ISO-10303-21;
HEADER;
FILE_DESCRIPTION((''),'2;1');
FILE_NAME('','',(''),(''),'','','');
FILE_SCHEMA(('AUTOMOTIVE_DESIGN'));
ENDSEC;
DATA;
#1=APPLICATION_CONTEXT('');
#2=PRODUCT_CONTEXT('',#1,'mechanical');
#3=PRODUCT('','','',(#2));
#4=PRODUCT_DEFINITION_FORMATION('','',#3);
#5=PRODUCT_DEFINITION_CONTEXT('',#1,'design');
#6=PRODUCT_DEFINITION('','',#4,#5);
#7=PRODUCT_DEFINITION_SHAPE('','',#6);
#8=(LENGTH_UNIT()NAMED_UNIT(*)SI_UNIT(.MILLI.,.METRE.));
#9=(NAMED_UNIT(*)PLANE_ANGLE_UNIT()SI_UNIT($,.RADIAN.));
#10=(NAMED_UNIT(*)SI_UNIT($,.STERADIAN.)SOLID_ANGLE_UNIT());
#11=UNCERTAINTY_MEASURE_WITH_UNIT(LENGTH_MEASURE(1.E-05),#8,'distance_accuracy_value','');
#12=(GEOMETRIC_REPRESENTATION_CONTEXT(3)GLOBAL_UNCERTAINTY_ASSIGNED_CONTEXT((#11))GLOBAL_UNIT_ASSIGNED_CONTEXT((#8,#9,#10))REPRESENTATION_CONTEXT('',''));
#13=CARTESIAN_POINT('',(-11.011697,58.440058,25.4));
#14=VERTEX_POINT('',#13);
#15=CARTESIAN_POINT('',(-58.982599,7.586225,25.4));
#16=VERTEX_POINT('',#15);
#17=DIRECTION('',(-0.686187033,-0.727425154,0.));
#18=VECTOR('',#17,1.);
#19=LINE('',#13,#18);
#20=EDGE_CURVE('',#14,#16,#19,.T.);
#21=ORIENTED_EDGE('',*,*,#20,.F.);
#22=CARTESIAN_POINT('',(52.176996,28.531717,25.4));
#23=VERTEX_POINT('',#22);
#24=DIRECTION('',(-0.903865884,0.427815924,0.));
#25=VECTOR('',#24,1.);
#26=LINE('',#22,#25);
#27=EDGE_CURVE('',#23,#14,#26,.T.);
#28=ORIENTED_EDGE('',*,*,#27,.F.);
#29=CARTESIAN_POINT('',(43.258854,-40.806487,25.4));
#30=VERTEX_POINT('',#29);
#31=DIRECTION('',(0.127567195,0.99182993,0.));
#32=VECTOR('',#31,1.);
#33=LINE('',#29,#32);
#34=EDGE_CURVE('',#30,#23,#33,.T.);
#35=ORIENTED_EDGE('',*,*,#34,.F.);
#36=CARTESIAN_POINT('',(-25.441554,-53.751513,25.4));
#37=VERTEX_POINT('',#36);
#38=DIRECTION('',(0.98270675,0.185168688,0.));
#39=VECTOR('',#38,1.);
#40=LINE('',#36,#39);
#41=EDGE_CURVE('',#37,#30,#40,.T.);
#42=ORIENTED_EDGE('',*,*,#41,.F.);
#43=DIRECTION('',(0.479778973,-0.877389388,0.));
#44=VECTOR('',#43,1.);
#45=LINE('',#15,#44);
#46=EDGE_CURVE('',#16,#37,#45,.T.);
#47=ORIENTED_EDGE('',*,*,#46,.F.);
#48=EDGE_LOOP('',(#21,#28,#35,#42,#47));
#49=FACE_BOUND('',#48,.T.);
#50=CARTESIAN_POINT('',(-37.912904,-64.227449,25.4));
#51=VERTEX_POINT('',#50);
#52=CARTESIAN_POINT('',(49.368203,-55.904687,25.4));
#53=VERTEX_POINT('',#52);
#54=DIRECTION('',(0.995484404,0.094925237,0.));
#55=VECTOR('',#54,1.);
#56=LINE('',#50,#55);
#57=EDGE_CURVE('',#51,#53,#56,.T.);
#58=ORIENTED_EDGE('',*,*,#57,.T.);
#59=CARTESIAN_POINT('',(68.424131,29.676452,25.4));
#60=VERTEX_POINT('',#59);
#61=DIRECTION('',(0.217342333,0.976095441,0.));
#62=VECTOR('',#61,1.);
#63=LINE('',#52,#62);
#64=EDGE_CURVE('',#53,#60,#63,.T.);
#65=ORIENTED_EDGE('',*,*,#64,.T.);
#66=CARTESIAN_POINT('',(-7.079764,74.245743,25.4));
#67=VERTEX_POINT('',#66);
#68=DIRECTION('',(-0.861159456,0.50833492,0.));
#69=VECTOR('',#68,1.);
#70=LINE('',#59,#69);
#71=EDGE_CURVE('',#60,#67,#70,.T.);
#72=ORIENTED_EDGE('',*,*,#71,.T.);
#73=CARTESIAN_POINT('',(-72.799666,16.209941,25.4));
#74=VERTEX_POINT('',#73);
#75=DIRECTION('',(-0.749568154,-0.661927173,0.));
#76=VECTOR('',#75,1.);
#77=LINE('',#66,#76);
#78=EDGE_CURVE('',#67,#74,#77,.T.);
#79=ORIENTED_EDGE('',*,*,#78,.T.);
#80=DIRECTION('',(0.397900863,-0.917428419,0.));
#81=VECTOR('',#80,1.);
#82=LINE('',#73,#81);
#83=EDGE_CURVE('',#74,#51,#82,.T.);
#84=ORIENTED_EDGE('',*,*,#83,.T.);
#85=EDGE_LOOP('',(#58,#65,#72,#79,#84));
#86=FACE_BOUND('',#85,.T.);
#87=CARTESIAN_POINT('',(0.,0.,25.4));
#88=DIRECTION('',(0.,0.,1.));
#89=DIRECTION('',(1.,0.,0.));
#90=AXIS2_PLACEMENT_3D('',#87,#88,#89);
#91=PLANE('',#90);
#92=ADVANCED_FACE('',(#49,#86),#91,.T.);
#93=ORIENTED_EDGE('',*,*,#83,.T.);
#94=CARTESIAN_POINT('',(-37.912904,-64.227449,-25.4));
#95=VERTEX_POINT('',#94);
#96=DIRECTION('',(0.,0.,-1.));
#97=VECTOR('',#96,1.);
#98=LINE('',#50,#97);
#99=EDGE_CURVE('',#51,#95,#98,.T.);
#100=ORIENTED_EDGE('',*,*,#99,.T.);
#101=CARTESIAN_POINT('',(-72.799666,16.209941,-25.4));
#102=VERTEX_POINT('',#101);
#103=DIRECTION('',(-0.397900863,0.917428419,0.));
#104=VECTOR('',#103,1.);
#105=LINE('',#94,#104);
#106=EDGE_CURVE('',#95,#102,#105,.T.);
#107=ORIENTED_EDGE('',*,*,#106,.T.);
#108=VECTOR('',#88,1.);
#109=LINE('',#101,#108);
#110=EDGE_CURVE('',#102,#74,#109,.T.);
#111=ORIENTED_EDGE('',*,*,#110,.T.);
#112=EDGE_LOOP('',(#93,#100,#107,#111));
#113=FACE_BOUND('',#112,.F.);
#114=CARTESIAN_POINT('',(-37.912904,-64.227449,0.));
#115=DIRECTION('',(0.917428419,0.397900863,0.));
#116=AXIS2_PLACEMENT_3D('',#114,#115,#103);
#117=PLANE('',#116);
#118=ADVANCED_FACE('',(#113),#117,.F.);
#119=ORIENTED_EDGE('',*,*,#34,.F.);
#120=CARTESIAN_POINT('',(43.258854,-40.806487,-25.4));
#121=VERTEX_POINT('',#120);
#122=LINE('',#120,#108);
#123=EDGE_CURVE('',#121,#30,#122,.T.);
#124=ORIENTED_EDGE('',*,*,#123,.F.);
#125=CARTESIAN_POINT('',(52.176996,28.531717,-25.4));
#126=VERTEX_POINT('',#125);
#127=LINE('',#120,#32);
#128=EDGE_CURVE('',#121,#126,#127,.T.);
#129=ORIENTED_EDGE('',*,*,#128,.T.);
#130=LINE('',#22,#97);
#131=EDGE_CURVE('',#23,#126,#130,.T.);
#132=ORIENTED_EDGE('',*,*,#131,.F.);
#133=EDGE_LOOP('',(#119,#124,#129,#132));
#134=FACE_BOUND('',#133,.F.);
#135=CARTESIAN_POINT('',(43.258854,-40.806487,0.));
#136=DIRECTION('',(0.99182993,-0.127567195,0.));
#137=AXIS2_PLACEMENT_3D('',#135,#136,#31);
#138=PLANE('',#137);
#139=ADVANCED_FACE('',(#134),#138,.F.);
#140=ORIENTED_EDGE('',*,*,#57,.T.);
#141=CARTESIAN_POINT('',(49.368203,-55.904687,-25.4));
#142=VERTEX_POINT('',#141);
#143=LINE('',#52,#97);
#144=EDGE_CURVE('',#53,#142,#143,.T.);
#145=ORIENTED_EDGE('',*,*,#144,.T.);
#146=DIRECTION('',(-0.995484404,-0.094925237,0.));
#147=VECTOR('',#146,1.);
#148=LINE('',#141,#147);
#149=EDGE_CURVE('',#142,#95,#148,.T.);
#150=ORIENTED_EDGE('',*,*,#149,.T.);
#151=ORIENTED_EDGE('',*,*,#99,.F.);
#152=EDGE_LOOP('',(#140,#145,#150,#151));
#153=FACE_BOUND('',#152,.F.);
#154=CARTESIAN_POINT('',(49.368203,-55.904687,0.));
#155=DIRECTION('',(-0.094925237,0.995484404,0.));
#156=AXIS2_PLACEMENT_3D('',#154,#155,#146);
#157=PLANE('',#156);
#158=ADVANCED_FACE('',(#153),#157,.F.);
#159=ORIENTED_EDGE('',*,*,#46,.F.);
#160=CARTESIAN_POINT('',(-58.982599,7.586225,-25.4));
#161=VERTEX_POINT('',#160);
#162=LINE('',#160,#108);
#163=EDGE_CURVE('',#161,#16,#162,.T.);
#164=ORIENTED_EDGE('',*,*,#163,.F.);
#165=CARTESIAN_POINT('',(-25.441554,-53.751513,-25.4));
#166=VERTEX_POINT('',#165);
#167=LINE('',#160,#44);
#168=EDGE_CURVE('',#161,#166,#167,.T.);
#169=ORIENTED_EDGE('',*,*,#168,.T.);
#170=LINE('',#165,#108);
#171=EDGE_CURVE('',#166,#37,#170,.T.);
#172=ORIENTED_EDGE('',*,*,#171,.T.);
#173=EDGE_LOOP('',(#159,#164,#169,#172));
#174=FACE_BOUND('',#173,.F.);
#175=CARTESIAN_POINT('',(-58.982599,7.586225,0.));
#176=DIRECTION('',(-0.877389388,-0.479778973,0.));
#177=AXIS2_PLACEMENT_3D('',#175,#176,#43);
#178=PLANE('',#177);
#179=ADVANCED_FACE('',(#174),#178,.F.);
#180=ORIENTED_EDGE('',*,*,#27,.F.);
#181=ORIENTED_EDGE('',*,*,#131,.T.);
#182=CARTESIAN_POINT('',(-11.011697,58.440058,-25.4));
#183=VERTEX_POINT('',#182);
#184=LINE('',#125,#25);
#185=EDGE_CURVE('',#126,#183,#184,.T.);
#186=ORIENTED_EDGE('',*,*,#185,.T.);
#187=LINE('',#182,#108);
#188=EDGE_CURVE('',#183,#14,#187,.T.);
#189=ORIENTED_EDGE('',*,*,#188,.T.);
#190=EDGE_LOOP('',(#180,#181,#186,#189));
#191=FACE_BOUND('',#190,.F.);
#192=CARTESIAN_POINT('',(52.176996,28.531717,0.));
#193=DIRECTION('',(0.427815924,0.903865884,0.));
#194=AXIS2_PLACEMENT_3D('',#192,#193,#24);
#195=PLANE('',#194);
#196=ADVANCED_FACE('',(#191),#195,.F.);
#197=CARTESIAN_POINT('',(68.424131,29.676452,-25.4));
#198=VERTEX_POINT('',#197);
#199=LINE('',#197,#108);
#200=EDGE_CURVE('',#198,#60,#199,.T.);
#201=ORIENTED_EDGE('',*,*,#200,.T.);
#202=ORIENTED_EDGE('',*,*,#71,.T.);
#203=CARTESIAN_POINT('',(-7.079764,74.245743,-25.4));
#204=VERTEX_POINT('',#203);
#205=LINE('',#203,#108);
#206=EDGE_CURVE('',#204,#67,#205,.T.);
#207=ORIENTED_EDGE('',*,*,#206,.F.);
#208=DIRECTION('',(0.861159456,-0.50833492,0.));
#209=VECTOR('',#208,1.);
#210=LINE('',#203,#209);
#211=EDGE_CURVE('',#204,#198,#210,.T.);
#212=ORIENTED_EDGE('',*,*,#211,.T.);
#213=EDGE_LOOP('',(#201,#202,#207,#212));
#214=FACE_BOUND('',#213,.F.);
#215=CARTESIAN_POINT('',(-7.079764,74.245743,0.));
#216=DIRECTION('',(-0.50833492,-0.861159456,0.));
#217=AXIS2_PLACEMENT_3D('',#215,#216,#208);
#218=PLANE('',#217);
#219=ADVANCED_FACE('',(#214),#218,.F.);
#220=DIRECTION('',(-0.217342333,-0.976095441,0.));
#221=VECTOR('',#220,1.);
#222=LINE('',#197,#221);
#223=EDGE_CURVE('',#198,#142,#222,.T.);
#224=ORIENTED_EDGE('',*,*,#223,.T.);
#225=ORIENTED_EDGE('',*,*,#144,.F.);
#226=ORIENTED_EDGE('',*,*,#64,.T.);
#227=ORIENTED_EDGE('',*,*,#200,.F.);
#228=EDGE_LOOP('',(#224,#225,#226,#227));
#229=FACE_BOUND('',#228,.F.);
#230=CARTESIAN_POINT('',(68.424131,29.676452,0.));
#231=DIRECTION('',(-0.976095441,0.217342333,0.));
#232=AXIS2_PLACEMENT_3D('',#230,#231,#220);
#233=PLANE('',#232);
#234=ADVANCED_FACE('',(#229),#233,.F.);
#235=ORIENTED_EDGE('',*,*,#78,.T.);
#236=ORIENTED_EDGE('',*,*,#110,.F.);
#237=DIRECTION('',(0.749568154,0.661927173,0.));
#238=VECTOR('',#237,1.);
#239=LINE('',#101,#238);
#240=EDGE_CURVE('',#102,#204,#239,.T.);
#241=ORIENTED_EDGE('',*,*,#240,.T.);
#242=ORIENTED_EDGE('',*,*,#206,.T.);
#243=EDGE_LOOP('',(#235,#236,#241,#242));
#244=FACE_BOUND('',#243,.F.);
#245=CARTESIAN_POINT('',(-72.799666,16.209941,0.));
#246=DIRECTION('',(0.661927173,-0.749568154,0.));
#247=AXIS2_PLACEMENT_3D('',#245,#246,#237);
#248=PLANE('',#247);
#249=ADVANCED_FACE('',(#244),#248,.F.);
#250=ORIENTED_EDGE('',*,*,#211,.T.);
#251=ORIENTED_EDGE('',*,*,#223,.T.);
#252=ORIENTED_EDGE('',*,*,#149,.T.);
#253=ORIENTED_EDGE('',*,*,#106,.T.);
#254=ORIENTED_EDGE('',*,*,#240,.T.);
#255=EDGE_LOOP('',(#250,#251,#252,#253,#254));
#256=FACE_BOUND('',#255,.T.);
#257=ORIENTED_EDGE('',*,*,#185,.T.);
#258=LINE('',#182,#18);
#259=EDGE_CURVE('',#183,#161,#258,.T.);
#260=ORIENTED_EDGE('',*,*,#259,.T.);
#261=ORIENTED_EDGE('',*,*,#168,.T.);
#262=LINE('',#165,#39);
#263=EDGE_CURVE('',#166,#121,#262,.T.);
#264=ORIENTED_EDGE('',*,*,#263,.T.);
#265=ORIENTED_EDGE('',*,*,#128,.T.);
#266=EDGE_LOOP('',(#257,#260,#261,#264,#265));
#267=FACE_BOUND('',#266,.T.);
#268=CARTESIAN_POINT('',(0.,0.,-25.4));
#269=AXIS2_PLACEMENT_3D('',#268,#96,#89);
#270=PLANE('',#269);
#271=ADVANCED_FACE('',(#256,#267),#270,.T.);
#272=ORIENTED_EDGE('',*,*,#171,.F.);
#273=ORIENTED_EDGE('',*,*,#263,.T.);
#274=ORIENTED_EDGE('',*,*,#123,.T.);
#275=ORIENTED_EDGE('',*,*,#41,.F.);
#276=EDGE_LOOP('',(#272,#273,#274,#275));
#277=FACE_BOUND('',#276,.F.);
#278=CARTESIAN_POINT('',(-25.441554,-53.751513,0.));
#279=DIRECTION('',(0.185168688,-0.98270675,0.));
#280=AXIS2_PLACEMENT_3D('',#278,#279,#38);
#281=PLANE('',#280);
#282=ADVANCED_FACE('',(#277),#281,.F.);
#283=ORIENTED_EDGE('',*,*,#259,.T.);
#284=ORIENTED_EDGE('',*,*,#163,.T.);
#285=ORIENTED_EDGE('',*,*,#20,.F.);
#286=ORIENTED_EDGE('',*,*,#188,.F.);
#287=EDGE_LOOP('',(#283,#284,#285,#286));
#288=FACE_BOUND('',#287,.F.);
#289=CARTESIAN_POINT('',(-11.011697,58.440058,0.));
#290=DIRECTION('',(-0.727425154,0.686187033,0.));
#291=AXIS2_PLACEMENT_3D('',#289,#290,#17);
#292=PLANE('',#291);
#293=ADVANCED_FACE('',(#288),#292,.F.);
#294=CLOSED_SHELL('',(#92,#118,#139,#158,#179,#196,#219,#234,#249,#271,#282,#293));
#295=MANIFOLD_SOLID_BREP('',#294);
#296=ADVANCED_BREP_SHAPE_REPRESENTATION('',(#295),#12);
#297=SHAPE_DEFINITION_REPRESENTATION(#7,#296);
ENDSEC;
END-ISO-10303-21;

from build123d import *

# Parameters (mm, degrees)
F1_DEPTH = 25.4
F2_DEPTH = 25.4
F4_DEPTH = 25.4
F5_DEPTH = 25.4


with BuildPart() as f1:
    # F0 (on Top) → F1 (new body)
    with BuildSketch(Plane.XY):
        Polygon((68.424131, 29.676452), (-7.079764, 74.245743), (-72.799666, 16.209941), (-37.912904, -64.227449), (49.368203, -55.904687), align=None)
    extrude(amount=F1_DEPTH)

    # F1_face (on face) → F2 (join)
    with BuildSketch(Plane(origin=(0, 0, 0), x_dir=(1, 0, 0), z_dir=(0, 0, -1))):
        Polygon((68.424131, -29.676452), (49.368203, 55.904687), (-37.912904, 64.227449), (-72.799666, -16.209941), (-7.079764, -74.245743), align=None)
    extrude(amount=F2_DEPTH)

    # F3 (on face) → F4 (cut)
    with BuildSketch(Plane.XY.offset(25.4)):
        Polygon((52.176996, 28.531717), (-11.011697, 58.440058), (-58.982599, 7.586225), (-25.441554, -53.751513), (43.258854, -40.806487), align=None)
    extrude(amount=-F4_DEPTH, mode=Mode.SUBTRACT)

    # F4_face (on face) → F5 (cut)
    with BuildSketch(Plane.XY):
        Polygon((52.176996, 28.531717), (-11.011697, 58.440058), (-58.982599, 7.586225), (-25.441554, -53.751513), (43.258854, -40.806487), align=None)
    extrude(amount=-F5_DEPTH, mode=Mode.SUBTRACT)


solid = f1.part
